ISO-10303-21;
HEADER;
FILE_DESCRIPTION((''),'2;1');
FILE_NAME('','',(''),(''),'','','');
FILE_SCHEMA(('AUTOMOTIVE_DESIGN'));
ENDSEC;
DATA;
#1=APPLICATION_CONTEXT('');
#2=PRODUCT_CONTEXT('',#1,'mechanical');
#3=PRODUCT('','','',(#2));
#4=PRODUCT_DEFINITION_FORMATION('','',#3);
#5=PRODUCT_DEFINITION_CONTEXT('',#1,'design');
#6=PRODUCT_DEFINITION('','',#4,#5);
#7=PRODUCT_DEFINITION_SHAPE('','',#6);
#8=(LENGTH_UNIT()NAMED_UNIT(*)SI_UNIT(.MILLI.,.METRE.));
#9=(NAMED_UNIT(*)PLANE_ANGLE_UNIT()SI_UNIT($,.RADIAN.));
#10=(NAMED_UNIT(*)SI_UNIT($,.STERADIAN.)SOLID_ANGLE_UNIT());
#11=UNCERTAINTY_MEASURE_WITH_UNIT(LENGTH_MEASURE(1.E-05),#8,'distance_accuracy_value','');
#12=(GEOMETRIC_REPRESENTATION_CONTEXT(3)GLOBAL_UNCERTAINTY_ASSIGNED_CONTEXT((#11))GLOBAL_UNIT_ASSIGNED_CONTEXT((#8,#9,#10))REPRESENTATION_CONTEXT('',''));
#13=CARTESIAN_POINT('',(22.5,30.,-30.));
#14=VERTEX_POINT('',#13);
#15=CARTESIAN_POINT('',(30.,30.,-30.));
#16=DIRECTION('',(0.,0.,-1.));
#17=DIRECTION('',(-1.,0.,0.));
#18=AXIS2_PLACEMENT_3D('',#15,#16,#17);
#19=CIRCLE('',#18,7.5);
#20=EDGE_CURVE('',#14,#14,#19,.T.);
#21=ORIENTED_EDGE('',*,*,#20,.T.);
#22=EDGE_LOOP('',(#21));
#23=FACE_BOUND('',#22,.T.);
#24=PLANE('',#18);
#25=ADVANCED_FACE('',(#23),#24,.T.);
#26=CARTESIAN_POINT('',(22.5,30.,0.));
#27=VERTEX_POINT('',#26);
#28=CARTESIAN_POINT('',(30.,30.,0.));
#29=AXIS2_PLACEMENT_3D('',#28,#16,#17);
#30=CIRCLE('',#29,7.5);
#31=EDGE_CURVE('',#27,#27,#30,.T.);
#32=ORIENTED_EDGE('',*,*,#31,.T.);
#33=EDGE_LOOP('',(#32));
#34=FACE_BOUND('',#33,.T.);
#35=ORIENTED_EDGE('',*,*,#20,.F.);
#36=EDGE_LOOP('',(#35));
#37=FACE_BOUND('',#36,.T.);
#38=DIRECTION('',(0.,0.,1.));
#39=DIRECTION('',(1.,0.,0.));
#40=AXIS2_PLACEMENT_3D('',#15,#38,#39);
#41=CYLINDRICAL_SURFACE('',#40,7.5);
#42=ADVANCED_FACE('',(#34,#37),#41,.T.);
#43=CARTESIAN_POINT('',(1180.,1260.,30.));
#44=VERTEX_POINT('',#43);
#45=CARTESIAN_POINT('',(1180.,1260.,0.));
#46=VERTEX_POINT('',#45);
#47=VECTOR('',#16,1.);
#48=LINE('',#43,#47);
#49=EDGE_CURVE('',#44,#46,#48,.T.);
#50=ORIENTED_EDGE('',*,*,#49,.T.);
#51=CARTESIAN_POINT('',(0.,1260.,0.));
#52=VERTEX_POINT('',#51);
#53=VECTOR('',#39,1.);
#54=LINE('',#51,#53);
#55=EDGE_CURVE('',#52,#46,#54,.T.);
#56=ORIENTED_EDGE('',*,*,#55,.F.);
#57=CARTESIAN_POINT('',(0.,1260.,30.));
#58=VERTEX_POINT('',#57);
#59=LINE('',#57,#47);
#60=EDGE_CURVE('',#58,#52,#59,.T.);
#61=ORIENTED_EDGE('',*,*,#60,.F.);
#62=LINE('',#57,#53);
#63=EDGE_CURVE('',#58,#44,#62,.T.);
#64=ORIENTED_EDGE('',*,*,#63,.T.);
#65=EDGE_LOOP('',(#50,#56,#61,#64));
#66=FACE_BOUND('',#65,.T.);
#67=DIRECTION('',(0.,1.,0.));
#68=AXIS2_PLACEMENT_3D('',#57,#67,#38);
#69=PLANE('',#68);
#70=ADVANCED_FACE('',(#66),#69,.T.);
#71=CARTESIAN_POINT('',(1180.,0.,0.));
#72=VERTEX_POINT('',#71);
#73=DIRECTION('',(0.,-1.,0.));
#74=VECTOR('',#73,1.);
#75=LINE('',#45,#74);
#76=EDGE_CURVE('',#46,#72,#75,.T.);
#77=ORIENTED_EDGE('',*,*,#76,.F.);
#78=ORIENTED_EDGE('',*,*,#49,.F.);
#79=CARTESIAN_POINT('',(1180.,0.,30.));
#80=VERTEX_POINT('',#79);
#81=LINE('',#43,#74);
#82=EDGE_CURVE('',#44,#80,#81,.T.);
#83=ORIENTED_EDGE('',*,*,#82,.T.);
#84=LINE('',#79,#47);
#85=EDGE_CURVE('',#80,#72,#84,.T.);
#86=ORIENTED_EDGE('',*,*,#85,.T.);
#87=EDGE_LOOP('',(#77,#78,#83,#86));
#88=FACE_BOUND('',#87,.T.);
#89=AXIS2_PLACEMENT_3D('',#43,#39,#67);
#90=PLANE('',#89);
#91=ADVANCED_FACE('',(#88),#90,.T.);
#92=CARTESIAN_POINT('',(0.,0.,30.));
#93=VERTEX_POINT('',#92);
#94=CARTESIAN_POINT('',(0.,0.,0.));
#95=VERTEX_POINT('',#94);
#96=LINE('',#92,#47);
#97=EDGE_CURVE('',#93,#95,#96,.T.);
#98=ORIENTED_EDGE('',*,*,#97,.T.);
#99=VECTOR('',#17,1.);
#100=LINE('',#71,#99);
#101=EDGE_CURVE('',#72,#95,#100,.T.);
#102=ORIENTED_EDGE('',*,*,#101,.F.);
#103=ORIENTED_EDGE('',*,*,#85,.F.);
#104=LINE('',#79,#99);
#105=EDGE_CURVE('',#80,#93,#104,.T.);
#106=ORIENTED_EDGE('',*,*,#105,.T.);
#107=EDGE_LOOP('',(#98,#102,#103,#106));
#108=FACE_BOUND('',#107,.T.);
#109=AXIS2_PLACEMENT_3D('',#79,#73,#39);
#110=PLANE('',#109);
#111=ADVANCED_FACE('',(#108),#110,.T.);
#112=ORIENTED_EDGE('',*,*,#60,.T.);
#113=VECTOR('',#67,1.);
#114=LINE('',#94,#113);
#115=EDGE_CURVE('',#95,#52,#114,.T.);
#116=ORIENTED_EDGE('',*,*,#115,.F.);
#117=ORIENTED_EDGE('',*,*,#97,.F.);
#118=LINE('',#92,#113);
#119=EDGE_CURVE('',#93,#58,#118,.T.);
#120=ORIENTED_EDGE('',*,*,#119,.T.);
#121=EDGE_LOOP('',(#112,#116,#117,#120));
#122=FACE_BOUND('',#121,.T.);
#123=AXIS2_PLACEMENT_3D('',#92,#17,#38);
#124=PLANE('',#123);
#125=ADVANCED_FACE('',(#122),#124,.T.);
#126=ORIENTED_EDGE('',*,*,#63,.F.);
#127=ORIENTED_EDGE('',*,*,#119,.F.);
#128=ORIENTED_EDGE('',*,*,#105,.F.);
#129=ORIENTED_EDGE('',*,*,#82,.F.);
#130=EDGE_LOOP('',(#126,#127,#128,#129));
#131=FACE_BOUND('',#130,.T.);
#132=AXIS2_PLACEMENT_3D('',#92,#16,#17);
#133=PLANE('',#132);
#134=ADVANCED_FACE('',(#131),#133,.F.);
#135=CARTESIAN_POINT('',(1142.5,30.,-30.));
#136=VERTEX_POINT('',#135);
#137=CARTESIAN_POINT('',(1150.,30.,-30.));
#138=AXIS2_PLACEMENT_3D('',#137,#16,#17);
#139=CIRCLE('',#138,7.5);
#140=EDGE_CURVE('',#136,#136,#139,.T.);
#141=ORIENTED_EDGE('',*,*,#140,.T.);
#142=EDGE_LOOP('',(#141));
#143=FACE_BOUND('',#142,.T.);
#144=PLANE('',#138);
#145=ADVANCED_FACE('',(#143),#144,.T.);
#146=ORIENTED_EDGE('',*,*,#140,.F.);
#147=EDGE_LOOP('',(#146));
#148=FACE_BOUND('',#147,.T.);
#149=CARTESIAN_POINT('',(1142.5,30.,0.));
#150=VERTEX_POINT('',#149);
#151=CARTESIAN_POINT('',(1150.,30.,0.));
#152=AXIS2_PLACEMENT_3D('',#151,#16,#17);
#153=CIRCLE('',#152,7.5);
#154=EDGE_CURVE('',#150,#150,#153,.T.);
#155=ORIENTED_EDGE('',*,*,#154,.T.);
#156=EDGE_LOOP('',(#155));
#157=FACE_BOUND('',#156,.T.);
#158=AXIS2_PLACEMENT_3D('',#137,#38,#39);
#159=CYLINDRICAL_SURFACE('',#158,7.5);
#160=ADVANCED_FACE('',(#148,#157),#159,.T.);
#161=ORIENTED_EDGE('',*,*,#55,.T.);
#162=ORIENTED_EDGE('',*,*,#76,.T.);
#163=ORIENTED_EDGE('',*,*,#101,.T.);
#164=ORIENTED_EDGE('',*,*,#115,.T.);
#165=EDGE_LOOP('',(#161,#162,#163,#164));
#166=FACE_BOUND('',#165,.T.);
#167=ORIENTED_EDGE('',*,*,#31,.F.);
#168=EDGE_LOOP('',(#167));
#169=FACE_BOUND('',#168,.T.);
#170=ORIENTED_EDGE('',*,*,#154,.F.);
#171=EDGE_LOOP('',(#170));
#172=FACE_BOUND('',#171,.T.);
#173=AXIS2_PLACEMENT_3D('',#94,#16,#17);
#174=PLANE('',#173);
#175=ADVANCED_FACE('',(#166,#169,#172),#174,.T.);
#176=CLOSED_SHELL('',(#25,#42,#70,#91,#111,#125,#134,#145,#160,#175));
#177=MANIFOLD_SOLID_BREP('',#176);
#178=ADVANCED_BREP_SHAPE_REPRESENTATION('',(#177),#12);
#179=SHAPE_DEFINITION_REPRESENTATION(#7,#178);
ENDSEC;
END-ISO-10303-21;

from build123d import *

# Parameters (mm, degrees)
ESQUISSE1_W        = 1180
ESQUISSE1_H        = 1260
BOSS_EXTRU_2_DEPTH = 30
ESQUISSE3_R        = 7.5
BOSS_EXTRU_3_DEPTH = 30


with BuildPart() as part:
    # Esquisse1 → Boss.-Extru.2 (new body)
    with BuildSketch(Plane.XY):
        with Locations((590, 630)):
            Rectangle(ESQUISSE1_W, ESQUISSE1_H)
    extrude(amount=BOSS_EXTRU_2_DEPTH)

    # Esquisse3 → Boss.-Extru.3 (add)
    with BuildSketch(Plane(origin=(0, 0, 0), x_dir=(-1, 0, 0), z_dir=(0, 0, -1))):
        with Locations((-1150, 30)):
            Circle(ESQUISSE3_R)
        with Locations((-30, 30)):
            Circle(ESQUISSE3_R)
    extrude(amount=BOSS_EXTRU_3_DEPTH)


solid = part.part
